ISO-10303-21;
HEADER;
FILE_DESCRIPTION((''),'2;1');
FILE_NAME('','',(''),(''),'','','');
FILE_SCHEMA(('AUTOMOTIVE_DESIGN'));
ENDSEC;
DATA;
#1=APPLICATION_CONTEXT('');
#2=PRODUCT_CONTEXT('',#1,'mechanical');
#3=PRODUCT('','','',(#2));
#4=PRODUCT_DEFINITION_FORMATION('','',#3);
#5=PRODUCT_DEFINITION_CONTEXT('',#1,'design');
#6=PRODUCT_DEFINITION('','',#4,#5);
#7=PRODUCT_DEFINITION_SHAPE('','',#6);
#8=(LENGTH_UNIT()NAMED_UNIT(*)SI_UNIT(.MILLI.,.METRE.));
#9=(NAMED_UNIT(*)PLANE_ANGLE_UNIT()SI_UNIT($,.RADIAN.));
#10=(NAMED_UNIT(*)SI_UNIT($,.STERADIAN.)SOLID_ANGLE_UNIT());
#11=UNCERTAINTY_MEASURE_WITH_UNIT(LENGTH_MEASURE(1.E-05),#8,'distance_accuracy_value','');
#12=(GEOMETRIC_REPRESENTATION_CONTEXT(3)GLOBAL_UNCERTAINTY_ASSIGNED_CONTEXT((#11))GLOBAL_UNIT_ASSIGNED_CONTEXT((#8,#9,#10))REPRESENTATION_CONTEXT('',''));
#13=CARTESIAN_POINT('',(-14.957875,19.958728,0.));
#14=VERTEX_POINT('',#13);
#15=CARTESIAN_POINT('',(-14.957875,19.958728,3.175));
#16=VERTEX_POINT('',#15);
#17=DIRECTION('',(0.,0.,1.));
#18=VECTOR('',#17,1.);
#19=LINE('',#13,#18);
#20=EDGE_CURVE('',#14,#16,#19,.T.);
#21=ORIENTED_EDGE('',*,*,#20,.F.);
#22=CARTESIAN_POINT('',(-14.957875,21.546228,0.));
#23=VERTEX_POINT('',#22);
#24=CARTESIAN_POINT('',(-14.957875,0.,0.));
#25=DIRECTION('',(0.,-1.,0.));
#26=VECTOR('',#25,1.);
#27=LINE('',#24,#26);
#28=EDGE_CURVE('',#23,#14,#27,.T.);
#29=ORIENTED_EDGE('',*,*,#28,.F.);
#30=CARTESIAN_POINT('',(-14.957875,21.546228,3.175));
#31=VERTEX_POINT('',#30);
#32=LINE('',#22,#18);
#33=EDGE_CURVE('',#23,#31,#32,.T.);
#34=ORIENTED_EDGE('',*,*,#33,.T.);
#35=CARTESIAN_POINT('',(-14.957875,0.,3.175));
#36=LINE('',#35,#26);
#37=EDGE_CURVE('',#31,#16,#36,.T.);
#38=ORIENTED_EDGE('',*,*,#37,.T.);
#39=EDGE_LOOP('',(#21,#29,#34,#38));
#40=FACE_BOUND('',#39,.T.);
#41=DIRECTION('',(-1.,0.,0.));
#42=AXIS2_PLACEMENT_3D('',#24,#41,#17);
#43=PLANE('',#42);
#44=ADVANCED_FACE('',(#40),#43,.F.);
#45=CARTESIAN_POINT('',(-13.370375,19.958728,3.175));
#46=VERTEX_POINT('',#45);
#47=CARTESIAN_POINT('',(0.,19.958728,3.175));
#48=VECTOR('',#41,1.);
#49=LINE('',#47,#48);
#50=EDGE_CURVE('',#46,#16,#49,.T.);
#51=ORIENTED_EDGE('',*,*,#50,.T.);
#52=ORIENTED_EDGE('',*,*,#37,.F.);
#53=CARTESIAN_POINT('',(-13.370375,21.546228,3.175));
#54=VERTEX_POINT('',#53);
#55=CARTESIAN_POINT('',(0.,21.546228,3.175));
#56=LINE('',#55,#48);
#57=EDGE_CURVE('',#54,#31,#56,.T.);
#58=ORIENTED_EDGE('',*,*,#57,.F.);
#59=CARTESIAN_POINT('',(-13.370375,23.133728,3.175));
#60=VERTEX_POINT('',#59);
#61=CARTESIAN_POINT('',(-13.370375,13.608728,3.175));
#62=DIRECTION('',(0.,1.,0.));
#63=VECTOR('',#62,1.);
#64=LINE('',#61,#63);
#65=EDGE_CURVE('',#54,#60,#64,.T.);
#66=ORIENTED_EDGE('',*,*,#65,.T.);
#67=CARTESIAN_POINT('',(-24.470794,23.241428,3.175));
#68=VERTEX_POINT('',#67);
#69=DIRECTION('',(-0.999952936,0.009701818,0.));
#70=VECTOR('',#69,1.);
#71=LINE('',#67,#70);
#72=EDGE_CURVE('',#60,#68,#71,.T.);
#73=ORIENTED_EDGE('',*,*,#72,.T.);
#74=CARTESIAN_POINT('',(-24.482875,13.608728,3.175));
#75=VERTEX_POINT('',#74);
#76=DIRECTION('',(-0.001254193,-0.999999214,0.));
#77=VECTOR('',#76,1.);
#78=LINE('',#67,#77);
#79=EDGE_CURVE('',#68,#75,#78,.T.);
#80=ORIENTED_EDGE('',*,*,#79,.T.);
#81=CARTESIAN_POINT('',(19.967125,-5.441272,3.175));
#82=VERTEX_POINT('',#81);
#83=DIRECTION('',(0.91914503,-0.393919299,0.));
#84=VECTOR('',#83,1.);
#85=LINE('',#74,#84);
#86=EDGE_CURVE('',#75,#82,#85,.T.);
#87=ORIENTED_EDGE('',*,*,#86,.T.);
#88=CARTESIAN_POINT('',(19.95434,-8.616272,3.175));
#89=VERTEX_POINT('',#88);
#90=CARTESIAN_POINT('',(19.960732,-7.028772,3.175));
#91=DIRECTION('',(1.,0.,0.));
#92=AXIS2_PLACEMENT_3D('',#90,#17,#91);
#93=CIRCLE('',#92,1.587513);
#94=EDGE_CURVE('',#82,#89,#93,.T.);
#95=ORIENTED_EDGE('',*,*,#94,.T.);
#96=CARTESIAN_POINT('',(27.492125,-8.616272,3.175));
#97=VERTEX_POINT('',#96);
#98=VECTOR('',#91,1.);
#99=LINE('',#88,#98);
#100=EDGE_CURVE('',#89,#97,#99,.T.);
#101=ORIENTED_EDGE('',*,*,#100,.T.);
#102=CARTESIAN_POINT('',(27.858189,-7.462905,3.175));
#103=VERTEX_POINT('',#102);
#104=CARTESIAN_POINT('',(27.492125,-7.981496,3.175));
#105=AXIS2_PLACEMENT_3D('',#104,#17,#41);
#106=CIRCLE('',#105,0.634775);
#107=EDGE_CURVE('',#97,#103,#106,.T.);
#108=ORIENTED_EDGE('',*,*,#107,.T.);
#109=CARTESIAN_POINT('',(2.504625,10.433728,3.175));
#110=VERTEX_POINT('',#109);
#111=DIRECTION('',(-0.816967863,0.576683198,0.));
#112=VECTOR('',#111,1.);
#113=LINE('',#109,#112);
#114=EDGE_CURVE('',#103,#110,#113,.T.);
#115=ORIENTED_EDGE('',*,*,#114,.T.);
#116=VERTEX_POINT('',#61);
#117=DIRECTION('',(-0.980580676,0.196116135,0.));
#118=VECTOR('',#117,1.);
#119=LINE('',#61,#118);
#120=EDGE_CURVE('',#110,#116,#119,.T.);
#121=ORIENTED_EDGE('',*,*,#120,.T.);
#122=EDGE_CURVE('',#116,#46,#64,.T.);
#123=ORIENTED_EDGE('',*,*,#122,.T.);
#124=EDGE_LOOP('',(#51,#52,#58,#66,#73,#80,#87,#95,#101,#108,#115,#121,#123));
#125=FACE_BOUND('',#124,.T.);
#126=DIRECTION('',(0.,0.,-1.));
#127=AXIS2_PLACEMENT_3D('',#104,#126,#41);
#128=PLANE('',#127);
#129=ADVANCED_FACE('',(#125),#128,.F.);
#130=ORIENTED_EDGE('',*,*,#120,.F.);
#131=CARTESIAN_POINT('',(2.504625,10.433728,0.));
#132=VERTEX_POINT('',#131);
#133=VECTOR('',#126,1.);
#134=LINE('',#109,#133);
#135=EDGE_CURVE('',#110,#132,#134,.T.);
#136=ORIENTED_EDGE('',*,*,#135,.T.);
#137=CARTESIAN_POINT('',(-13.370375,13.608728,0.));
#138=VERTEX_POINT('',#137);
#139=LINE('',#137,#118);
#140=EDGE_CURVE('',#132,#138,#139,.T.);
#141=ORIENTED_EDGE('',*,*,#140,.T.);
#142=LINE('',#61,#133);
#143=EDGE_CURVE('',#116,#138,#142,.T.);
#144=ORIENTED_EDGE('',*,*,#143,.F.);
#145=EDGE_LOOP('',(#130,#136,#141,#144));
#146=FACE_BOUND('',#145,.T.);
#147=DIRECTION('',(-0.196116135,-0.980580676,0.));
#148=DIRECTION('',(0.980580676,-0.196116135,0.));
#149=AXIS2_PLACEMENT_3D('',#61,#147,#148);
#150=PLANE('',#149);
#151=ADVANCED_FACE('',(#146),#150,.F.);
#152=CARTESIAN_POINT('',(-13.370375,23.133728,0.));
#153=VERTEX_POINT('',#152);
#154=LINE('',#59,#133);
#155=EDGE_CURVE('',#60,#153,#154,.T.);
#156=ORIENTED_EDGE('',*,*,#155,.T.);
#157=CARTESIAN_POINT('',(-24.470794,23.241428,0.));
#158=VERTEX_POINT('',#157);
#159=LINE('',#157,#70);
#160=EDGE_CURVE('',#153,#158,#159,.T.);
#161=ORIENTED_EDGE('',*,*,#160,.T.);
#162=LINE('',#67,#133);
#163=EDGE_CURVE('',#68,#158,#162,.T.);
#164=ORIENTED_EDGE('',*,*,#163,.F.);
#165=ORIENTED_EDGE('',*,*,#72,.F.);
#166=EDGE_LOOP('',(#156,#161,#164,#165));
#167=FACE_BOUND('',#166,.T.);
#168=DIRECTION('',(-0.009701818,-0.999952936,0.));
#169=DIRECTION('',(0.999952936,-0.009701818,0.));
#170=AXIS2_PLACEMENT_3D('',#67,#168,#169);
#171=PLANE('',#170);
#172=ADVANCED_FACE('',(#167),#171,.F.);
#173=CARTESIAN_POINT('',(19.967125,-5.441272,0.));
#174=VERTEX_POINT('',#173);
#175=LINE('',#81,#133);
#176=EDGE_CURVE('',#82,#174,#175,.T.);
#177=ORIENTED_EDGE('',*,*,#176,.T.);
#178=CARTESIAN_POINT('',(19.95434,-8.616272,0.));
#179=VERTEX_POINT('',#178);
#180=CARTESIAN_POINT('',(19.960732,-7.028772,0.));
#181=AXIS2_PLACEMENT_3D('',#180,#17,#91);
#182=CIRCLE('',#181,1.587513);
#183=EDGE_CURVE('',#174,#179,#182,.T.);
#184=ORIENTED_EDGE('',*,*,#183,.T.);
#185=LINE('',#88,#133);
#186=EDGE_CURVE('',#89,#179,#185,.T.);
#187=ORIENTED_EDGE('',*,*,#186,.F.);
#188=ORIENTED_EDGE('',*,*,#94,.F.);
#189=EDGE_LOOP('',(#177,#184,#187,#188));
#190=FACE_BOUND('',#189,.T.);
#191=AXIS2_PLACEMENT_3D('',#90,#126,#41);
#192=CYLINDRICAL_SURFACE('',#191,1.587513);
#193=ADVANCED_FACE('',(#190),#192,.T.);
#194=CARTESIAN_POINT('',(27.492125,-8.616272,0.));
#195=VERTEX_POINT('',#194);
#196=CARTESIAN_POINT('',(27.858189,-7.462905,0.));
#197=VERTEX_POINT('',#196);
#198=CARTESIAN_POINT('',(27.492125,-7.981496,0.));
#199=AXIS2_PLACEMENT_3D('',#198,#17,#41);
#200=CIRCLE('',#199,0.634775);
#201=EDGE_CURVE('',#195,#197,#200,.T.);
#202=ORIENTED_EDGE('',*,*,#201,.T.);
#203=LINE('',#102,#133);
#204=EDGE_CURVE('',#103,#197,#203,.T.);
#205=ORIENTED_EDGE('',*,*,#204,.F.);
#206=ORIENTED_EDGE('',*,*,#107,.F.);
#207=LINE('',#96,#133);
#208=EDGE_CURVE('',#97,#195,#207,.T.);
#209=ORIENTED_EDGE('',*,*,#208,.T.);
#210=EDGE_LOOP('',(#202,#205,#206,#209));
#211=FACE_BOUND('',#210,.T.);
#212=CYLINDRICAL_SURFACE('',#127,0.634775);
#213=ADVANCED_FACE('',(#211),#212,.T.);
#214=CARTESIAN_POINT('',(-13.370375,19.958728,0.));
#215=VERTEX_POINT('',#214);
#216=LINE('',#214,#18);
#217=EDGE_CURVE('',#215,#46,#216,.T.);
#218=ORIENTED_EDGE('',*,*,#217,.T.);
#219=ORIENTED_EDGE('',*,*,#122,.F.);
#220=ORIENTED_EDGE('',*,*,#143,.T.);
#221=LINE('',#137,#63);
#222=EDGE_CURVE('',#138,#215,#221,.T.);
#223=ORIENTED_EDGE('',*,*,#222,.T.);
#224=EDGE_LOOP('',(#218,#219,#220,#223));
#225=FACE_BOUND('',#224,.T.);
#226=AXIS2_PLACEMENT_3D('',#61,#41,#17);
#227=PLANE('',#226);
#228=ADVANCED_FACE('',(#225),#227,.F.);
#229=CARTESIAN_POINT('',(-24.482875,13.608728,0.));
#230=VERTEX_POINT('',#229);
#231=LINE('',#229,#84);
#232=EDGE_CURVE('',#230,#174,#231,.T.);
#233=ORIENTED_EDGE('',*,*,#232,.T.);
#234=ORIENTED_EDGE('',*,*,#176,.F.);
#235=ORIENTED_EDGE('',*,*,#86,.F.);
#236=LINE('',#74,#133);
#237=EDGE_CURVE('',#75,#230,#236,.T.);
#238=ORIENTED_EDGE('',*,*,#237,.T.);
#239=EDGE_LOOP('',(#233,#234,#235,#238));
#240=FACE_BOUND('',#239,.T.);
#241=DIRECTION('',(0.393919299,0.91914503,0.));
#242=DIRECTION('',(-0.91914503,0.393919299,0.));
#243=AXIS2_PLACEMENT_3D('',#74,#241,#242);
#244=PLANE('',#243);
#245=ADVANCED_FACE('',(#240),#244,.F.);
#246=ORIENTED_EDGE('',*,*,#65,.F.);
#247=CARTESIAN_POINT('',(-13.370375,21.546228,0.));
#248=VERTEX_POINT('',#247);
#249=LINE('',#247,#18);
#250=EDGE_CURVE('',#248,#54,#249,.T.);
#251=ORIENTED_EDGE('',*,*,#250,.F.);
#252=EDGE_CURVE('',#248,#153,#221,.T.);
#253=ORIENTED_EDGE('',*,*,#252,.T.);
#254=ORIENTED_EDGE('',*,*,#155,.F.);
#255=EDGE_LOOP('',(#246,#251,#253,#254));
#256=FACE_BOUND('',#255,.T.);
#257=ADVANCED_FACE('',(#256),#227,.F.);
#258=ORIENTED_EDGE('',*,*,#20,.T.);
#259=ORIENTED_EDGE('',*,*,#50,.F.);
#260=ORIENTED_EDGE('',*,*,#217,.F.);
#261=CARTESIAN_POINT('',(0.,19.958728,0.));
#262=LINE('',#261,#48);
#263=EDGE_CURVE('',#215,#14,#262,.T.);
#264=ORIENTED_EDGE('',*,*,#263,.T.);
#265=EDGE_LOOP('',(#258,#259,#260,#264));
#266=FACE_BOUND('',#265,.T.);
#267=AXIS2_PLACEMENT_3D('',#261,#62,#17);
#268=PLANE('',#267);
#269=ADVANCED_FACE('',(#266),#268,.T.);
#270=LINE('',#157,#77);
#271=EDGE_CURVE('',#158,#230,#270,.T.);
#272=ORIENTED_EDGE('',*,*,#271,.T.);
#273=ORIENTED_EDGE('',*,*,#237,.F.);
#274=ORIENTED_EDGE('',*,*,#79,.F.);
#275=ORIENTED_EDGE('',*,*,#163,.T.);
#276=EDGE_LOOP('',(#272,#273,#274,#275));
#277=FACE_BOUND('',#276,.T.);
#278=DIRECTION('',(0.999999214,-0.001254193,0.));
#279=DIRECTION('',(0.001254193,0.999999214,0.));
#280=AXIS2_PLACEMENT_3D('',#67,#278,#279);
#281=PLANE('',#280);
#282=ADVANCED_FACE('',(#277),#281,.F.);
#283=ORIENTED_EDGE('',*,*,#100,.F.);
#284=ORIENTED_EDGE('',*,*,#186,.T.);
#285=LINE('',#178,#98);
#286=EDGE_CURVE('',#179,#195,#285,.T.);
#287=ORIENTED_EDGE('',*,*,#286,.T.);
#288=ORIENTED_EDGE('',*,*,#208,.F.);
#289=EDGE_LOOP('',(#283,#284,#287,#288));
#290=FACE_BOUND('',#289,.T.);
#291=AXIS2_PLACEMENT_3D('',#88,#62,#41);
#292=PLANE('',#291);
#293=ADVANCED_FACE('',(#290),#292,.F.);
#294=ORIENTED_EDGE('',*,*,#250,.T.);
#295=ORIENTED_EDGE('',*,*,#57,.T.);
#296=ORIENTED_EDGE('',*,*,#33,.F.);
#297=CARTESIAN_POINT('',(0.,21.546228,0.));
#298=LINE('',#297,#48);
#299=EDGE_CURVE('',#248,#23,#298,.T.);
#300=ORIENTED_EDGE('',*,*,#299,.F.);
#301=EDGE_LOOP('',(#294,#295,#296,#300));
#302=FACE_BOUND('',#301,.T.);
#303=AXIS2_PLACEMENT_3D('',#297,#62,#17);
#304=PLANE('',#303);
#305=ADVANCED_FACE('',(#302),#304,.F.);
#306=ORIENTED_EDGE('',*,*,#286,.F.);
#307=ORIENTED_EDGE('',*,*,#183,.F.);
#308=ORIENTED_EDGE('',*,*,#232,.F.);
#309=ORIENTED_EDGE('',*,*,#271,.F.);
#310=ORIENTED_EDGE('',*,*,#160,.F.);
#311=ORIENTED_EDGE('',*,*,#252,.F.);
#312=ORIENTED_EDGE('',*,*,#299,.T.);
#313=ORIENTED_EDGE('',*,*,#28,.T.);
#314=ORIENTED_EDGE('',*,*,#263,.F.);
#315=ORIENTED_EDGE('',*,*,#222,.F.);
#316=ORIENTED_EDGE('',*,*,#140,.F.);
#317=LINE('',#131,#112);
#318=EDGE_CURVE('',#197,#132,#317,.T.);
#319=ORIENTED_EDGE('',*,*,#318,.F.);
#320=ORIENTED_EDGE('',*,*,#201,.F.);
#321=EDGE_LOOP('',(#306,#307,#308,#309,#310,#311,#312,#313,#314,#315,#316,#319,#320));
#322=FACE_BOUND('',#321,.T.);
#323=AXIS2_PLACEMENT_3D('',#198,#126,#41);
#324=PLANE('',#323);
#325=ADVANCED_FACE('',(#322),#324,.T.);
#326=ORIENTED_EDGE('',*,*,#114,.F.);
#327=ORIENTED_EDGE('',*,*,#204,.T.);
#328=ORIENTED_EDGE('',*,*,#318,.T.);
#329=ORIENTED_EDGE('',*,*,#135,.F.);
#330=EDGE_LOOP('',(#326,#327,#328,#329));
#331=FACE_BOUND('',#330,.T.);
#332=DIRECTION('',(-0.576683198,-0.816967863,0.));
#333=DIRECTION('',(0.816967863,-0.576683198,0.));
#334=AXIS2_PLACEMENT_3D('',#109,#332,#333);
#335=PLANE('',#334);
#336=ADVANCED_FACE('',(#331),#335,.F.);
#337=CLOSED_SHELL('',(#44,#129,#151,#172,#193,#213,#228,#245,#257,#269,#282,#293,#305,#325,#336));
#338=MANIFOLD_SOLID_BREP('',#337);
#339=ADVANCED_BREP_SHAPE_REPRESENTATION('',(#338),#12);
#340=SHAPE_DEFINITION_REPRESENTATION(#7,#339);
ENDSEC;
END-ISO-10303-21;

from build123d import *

# Parameters (mm, degrees)
BOSS_EXTRUDE1_DEPTH = 3.175
SKETCH2_W           = 1.5875
SKETCH2_H           = 1.5875
CUT_EXTRUDE1_DEPTH  = 3.175


with BuildPart() as part:
    # Sketch1 → Boss-Extrude1 (new body)
    with BuildSketch(Plane.XY):
        with BuildLine():
            Line((-24.470793716, 23.241427561), (-24.482874985, 13.608728252))
            Line((-24.482874985, 13.608728252), (19.967125015, -5.441271748))
            ThreePointArc((19.967125015, -5.441271748), (18.373232421, -7.022379153), (19.954339827, -8.616271748))
            Line((19.954339827, -8.616271748), (27.492125015, -8.616271748))
            ThreePointArc((27.492125015, -8.616271748), (28.097157471, -8.173526248), (27.858189288, -7.462905352))
            Line((27.858189288, -7.462905352), (2.504625015, 10.433728252))
            Line((2.504625015, 10.433728252), (-13.370374985, 13.608728252))
            Line((-13.370374985, 13.608728252), (-13.370374985, 23.133728252))
            Line((-13.370374985, 23.133728252), (-24.470793716, 23.241427561))
        make_face()
    extrude(amount=BOSS_EXTRUDE1_DEPTH)

    # Sketch2 → Cut-Extrude1 (cut)
    with BuildSketch(Plane.XY.offset(3.175)):
        with Locations((-14.164124985, 20.752478252)):
            Rectangle(SKETCH2_W, SKETCH2_H)
    extrude(amount=-CUT_EXTRUDE1_DEPTH, mode=Mode.SUBTRACT)


solid = part.part
